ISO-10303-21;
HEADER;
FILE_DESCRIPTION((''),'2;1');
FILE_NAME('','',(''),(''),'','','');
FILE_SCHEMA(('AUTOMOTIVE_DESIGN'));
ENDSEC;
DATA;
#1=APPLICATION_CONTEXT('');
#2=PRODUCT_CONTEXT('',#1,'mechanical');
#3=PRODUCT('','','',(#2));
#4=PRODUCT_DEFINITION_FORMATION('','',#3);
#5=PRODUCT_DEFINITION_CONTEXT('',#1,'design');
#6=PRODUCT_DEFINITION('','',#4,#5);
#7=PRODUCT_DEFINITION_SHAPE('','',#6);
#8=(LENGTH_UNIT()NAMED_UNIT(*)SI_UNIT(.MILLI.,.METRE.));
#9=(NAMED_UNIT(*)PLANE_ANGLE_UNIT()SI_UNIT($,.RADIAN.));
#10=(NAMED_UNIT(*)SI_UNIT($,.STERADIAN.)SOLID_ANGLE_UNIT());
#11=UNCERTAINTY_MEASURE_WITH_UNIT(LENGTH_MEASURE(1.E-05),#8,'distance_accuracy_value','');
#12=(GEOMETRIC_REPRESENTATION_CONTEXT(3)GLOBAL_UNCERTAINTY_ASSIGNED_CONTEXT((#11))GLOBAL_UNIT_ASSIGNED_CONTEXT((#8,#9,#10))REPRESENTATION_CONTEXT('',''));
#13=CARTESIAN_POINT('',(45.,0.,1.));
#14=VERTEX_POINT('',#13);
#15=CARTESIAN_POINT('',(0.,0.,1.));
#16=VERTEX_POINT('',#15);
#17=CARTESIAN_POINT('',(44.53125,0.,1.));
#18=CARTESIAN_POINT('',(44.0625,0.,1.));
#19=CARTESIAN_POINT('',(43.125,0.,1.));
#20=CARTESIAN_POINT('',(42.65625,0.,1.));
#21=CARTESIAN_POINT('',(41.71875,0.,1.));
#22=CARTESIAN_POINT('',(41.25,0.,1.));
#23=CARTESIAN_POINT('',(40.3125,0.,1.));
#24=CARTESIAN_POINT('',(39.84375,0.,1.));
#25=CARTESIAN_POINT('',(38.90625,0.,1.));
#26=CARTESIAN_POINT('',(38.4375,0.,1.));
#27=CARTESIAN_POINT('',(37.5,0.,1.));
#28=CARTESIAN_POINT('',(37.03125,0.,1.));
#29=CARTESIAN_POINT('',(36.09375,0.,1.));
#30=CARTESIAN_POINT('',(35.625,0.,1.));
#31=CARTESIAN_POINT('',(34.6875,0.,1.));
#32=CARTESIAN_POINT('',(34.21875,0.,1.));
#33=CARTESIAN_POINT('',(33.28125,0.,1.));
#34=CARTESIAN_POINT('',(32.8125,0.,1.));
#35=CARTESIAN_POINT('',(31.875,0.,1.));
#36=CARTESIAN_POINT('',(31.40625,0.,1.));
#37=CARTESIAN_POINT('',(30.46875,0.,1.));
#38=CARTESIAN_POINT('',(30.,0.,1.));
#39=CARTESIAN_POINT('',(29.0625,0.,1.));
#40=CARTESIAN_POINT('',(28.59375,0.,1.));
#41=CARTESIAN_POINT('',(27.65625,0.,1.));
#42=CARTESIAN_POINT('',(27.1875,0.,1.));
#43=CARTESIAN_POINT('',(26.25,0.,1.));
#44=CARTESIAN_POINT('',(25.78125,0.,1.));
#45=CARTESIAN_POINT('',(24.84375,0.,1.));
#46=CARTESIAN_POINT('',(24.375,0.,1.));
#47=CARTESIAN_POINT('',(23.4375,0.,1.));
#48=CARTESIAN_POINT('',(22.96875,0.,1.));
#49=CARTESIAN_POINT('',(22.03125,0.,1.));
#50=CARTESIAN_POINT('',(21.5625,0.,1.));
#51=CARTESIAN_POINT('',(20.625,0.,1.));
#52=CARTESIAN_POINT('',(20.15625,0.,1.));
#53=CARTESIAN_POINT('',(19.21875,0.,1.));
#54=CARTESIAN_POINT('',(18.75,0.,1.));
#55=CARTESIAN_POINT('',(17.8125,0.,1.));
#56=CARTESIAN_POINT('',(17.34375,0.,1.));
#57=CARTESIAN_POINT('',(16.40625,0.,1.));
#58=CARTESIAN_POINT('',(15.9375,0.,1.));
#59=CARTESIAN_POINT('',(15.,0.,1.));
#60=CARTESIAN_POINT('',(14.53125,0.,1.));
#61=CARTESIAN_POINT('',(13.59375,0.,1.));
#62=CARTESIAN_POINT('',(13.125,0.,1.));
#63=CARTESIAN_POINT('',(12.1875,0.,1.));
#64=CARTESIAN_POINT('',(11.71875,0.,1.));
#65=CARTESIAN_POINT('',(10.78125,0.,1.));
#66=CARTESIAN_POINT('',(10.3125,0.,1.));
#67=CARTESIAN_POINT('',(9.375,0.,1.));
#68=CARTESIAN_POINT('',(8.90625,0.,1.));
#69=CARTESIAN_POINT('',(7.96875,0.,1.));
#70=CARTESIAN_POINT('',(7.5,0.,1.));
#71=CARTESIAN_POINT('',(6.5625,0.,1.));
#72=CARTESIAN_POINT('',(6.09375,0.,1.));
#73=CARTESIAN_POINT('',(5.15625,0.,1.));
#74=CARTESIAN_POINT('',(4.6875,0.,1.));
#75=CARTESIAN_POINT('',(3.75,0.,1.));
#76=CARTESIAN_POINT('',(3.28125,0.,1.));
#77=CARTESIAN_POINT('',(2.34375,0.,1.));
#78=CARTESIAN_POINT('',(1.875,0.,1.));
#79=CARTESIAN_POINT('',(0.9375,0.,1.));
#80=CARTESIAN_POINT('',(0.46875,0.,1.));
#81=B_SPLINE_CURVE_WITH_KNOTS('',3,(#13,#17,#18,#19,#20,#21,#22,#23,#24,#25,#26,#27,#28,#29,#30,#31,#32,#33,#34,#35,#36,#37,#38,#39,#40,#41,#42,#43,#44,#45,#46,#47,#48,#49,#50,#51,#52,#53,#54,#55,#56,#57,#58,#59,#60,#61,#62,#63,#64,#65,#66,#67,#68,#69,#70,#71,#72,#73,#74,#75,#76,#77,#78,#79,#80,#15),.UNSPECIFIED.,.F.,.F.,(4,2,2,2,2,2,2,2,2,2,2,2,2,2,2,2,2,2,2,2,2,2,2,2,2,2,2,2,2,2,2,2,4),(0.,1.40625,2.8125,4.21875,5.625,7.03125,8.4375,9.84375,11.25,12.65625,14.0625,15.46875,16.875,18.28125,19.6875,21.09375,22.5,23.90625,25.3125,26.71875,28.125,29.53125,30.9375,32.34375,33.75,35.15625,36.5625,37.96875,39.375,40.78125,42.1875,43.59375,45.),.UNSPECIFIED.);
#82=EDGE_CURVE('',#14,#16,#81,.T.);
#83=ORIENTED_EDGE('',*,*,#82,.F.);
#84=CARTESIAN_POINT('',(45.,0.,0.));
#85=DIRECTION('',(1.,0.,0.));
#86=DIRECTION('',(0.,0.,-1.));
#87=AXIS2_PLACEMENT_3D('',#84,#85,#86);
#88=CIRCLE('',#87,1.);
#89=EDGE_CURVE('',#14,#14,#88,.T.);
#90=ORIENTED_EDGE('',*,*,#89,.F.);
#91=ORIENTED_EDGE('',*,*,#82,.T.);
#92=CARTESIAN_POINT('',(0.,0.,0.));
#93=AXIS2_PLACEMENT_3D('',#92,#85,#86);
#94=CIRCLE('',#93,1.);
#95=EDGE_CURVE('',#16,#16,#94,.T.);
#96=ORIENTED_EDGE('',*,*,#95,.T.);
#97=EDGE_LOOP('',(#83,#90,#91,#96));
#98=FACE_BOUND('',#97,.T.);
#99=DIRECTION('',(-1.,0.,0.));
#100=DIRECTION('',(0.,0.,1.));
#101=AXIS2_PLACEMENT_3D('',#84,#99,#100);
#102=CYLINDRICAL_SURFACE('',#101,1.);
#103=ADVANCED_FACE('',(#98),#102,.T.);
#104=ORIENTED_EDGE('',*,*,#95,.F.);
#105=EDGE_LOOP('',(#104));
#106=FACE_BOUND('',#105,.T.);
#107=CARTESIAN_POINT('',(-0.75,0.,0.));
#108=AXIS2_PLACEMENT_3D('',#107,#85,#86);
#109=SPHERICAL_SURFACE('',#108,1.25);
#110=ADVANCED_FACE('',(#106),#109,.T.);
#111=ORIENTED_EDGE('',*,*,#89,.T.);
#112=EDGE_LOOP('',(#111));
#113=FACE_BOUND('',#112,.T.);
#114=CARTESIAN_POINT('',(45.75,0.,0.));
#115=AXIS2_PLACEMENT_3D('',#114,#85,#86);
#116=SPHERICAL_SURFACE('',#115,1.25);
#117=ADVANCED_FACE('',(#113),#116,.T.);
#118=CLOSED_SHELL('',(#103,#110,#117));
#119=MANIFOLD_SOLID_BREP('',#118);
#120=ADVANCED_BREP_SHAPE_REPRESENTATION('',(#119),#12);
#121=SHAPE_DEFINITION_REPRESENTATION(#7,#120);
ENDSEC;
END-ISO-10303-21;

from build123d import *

# Parameters (mm, degrees)
SKETCH1_R           = 1
BOSS_EXTRUDE1_DEPTH = 45
DOME1_FACE_RADIUS   = 1
DOME1_HEIGHT        = 2
DOME2_FACE_RADIUS   = 1
DOME2_HEIGHT        = 2


with BuildPart() as part:
    # Sketch1 → Boss-Extrude1 (new body)
    with BuildSketch(Plane(origin=(0, 0, 0), x_dir=(0, 0, -1), z_dir=(1, 0, 0))):
        with Locations(Location((0, 0, 0), (0, 0, 180))):
            Circle(SKETCH1_R)
    extrude(amount=BOSS_EXTRUDE1_DEPTH)

    # Dome1: a dome of height H over a round flat face of radius A is a cap of a sphere of radius (A * A + H * H) / (2 * H)
    dome1_r = (DOME1_FACE_RADIUS * DOME1_FACE_RADIUS + DOME1_HEIGHT * DOME1_HEIGHT) / (2 * DOME1_HEIGHT)
    dome1_base = Plane((0, 0, 0), z_dir=(-1, 0, 0))
    with Locations(dome1_base.offset(DOME1_HEIGHT - dome1_r)):
        dome1_ball = Sphere(dome1_r, mode=Mode.PRIVATE)
    add(split(dome1_ball, bisect_by=dome1_base, keep=Keep.TOP, mode=Mode.PRIVATE))

    # Dome2: a dome of height H over a round flat face of radius A is a cap of a sphere of radius (A * A + H * H) / (2 * H)
    dome2_r = (DOME2_FACE_RADIUS * DOME2_FACE_RADIUS + DOME2_HEIGHT * DOME2_HEIGHT) / (2 * DOME2_HEIGHT)
    dome2_base = Plane((45, 0, 0), z_dir=(1, 0, 0))
    with Locations(dome2_base.offset(DOME2_HEIGHT - dome2_r)):
        dome2_ball = Sphere(dome2_r, mode=Mode.PRIVATE)
    add(split(dome2_ball, bisect_by=dome2_base, keep=Keep.TOP, mode=Mode.PRIVATE))


solid = part.part
